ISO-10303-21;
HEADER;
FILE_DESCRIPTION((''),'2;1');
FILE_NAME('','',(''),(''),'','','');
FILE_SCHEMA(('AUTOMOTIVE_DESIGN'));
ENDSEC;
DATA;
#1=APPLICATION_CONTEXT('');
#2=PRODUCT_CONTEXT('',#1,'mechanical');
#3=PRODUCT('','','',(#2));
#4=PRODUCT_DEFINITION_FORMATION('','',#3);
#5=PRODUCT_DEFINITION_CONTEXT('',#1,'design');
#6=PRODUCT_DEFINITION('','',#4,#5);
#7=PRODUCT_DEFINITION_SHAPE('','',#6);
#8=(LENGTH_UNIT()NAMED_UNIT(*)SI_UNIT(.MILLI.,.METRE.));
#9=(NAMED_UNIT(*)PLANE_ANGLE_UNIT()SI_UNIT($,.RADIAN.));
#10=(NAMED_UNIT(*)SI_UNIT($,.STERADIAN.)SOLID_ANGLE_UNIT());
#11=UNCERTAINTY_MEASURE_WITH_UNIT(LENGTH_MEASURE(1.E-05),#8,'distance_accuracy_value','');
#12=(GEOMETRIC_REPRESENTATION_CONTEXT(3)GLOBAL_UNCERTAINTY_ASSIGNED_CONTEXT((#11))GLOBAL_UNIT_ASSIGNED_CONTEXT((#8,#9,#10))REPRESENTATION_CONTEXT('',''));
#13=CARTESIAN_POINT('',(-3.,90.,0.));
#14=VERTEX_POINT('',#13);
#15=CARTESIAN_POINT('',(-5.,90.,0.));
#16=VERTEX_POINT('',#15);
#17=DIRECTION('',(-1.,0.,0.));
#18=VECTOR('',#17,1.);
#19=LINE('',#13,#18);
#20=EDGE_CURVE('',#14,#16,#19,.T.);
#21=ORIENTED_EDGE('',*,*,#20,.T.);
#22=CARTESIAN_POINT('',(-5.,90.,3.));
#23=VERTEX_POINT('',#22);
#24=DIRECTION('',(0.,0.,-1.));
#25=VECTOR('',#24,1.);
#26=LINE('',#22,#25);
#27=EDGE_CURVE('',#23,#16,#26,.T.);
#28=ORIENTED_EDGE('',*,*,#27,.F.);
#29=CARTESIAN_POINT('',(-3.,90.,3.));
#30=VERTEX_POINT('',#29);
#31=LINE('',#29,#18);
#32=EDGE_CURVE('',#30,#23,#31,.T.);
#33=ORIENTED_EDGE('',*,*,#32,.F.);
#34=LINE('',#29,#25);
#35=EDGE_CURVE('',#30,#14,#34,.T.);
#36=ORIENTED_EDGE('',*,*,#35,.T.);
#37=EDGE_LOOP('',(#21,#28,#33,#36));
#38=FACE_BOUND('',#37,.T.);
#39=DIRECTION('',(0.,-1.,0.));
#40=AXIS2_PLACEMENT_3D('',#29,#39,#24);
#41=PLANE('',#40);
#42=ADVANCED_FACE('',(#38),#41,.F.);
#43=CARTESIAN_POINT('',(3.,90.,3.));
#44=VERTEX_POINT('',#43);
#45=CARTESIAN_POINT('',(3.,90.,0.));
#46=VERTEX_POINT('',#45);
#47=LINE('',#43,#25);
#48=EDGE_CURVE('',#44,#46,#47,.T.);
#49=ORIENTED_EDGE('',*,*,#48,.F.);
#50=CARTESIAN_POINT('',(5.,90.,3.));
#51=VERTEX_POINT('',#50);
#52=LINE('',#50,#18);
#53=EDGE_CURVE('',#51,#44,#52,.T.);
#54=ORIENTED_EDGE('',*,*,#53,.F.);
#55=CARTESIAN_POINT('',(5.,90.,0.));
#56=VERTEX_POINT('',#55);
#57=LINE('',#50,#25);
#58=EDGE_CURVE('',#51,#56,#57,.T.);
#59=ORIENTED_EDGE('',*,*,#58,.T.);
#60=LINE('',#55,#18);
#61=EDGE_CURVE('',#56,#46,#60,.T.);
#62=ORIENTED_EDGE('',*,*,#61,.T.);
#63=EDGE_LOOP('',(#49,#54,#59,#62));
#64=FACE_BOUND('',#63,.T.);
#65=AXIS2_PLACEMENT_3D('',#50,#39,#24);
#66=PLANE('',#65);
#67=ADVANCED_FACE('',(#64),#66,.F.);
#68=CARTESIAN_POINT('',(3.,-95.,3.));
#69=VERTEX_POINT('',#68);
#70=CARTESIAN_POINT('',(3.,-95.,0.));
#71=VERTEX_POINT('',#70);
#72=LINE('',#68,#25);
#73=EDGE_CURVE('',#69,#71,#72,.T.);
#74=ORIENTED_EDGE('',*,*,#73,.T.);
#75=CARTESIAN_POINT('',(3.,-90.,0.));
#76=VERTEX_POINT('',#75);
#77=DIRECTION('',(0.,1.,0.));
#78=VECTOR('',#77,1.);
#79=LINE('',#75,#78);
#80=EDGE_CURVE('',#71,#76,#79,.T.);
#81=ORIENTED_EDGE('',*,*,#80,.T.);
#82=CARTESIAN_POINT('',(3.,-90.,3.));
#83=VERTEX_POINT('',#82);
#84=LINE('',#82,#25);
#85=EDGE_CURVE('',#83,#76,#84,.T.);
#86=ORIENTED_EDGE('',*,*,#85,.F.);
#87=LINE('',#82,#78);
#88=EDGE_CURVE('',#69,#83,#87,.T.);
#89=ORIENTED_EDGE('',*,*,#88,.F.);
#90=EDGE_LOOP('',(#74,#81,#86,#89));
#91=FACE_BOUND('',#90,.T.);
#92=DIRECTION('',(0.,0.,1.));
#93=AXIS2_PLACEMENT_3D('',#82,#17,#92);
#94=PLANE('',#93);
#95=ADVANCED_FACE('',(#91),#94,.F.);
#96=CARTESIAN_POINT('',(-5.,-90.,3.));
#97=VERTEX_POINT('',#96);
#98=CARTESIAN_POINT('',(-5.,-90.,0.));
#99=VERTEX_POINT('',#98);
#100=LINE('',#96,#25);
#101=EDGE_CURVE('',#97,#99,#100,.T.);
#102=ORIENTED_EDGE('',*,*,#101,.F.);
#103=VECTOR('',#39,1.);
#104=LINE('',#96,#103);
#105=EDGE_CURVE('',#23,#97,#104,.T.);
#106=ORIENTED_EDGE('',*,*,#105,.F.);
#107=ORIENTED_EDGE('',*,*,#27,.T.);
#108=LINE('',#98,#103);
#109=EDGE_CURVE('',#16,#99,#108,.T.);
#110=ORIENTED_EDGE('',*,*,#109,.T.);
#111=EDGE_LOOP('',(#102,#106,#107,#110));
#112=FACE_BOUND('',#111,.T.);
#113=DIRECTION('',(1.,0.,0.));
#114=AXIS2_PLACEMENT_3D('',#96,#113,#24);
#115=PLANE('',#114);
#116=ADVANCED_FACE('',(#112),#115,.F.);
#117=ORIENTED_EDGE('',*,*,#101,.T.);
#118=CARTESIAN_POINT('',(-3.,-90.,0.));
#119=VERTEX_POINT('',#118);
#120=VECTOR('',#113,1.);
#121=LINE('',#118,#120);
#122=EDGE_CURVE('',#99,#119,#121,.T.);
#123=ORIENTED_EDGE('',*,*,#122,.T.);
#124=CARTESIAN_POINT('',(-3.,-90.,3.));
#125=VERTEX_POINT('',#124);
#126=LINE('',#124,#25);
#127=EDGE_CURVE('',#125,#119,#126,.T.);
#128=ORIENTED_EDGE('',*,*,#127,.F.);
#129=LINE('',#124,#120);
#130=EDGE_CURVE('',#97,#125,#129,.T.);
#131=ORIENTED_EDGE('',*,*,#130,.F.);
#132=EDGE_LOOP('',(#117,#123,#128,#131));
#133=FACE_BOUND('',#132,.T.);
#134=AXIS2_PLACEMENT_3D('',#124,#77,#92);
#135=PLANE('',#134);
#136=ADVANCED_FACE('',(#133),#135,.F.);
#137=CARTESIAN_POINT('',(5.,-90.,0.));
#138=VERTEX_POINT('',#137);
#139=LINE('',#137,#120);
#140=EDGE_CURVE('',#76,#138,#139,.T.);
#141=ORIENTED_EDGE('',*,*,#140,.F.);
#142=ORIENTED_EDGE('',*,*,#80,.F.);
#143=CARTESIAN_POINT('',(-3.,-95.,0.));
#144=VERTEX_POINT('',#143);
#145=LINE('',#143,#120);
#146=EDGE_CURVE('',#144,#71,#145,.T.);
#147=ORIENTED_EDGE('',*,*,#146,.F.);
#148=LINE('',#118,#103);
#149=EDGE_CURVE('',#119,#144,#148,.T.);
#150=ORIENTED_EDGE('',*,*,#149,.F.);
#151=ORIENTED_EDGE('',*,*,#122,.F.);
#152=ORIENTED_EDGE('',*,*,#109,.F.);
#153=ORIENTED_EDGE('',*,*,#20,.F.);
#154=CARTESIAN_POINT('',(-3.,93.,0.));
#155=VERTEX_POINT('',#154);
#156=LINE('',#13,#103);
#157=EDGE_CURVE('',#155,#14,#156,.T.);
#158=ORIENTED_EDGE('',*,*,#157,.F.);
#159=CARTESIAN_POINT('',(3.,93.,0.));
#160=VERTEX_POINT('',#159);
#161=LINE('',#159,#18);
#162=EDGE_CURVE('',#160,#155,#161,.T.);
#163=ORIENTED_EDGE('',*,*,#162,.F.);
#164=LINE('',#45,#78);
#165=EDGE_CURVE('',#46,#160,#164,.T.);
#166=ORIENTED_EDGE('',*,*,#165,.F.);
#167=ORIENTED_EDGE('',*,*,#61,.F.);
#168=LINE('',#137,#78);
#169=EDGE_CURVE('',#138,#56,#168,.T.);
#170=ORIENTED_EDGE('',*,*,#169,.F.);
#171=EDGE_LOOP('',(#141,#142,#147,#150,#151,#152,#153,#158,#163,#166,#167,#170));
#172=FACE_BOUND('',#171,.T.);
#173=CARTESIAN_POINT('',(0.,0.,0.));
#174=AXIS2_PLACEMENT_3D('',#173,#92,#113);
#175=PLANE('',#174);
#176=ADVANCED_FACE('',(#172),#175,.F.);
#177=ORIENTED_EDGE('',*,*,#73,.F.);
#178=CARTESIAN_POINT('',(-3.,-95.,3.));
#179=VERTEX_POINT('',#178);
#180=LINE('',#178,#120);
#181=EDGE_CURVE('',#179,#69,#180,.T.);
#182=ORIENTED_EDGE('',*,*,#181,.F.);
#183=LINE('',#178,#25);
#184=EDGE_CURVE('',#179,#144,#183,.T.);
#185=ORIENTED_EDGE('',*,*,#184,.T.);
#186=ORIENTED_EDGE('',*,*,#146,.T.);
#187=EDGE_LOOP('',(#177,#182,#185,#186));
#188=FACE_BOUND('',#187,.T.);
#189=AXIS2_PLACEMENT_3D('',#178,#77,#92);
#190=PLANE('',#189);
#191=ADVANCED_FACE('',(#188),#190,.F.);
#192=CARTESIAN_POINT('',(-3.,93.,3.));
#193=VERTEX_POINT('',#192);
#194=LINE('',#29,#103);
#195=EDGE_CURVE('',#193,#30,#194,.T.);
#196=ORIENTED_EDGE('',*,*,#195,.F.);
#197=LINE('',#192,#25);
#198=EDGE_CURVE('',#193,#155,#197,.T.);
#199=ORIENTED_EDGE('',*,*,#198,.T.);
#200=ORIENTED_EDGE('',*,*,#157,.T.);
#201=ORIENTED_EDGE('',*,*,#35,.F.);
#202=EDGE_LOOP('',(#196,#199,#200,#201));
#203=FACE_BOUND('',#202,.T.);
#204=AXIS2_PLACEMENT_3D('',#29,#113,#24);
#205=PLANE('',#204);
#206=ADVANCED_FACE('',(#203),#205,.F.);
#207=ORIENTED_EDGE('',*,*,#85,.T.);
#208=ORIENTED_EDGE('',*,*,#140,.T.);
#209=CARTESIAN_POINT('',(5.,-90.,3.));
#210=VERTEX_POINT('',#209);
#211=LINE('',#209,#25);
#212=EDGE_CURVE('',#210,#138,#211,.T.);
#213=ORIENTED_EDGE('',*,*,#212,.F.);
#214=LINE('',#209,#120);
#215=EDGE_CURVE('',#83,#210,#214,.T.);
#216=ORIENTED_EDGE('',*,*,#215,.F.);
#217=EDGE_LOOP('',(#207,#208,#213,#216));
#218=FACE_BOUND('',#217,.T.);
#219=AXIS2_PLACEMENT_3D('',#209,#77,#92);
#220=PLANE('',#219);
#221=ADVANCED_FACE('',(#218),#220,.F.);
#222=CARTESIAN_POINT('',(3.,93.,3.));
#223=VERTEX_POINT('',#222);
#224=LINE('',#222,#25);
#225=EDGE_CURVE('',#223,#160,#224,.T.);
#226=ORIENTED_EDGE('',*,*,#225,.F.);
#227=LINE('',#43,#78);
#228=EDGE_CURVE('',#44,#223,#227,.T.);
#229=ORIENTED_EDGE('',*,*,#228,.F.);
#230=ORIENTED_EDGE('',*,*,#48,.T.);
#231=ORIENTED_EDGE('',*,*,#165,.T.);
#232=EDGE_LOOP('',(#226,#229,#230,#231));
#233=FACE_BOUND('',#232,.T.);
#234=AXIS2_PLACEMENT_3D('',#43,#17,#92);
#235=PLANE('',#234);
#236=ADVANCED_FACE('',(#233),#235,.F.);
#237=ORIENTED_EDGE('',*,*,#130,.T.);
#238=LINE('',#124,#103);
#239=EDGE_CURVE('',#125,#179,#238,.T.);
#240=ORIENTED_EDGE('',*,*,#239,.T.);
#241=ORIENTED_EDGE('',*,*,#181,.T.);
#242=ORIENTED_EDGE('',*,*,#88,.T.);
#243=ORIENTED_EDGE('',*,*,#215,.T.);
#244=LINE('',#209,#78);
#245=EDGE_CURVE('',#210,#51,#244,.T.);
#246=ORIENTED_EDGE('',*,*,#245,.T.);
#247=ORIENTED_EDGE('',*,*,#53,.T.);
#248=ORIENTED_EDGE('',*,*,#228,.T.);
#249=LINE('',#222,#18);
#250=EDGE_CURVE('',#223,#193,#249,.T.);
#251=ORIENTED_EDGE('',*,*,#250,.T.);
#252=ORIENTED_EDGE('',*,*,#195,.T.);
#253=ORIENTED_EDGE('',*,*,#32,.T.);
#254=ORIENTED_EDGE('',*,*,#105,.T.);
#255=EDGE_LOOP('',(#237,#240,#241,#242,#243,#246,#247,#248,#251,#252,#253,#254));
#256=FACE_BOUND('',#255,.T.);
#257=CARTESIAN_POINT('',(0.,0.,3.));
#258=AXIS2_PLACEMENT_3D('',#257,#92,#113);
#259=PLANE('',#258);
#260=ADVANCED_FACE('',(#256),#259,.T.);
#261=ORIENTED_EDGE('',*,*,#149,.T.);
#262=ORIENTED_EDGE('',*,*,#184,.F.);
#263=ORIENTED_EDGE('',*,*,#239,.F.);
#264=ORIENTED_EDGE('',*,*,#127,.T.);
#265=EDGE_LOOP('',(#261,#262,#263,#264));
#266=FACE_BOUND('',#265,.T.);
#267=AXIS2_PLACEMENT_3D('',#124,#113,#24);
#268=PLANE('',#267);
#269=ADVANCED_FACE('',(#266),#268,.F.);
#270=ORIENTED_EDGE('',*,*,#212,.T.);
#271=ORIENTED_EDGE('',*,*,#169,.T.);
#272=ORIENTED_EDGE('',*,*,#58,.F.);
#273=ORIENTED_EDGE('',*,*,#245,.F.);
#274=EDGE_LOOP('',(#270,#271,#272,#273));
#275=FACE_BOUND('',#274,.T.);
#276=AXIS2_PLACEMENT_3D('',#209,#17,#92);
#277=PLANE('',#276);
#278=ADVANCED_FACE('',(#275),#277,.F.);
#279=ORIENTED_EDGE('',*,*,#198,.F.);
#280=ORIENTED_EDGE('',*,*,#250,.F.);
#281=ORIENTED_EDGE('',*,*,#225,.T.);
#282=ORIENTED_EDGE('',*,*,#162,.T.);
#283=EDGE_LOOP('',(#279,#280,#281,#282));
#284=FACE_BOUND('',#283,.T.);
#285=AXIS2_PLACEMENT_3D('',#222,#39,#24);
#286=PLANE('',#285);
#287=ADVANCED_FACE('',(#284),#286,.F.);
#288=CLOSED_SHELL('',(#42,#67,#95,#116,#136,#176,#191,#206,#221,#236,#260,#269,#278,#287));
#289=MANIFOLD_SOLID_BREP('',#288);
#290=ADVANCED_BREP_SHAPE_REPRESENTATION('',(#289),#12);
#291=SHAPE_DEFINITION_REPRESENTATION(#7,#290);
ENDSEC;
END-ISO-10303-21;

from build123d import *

# Parameters (mm, degrees)
RESSALTO_EXTRUS_O1_DEPTH = 3


with BuildPart() as part:
    # Esboço1 → Ressalto-extrusão1 (new body)
    with BuildSketch(Plane.XY):
        Polygon((-3, 90), (-5, 90), (-5, -90), (-3, -90), (-3, -95), (3, -95), (3, -90), (5, -90), (5, 90), (3, 90), (3, 93), (-3, 93), align=None)
    extrude(amount=RESSALTO_EXTRUS_O1_DEPTH)


solid = part.part
